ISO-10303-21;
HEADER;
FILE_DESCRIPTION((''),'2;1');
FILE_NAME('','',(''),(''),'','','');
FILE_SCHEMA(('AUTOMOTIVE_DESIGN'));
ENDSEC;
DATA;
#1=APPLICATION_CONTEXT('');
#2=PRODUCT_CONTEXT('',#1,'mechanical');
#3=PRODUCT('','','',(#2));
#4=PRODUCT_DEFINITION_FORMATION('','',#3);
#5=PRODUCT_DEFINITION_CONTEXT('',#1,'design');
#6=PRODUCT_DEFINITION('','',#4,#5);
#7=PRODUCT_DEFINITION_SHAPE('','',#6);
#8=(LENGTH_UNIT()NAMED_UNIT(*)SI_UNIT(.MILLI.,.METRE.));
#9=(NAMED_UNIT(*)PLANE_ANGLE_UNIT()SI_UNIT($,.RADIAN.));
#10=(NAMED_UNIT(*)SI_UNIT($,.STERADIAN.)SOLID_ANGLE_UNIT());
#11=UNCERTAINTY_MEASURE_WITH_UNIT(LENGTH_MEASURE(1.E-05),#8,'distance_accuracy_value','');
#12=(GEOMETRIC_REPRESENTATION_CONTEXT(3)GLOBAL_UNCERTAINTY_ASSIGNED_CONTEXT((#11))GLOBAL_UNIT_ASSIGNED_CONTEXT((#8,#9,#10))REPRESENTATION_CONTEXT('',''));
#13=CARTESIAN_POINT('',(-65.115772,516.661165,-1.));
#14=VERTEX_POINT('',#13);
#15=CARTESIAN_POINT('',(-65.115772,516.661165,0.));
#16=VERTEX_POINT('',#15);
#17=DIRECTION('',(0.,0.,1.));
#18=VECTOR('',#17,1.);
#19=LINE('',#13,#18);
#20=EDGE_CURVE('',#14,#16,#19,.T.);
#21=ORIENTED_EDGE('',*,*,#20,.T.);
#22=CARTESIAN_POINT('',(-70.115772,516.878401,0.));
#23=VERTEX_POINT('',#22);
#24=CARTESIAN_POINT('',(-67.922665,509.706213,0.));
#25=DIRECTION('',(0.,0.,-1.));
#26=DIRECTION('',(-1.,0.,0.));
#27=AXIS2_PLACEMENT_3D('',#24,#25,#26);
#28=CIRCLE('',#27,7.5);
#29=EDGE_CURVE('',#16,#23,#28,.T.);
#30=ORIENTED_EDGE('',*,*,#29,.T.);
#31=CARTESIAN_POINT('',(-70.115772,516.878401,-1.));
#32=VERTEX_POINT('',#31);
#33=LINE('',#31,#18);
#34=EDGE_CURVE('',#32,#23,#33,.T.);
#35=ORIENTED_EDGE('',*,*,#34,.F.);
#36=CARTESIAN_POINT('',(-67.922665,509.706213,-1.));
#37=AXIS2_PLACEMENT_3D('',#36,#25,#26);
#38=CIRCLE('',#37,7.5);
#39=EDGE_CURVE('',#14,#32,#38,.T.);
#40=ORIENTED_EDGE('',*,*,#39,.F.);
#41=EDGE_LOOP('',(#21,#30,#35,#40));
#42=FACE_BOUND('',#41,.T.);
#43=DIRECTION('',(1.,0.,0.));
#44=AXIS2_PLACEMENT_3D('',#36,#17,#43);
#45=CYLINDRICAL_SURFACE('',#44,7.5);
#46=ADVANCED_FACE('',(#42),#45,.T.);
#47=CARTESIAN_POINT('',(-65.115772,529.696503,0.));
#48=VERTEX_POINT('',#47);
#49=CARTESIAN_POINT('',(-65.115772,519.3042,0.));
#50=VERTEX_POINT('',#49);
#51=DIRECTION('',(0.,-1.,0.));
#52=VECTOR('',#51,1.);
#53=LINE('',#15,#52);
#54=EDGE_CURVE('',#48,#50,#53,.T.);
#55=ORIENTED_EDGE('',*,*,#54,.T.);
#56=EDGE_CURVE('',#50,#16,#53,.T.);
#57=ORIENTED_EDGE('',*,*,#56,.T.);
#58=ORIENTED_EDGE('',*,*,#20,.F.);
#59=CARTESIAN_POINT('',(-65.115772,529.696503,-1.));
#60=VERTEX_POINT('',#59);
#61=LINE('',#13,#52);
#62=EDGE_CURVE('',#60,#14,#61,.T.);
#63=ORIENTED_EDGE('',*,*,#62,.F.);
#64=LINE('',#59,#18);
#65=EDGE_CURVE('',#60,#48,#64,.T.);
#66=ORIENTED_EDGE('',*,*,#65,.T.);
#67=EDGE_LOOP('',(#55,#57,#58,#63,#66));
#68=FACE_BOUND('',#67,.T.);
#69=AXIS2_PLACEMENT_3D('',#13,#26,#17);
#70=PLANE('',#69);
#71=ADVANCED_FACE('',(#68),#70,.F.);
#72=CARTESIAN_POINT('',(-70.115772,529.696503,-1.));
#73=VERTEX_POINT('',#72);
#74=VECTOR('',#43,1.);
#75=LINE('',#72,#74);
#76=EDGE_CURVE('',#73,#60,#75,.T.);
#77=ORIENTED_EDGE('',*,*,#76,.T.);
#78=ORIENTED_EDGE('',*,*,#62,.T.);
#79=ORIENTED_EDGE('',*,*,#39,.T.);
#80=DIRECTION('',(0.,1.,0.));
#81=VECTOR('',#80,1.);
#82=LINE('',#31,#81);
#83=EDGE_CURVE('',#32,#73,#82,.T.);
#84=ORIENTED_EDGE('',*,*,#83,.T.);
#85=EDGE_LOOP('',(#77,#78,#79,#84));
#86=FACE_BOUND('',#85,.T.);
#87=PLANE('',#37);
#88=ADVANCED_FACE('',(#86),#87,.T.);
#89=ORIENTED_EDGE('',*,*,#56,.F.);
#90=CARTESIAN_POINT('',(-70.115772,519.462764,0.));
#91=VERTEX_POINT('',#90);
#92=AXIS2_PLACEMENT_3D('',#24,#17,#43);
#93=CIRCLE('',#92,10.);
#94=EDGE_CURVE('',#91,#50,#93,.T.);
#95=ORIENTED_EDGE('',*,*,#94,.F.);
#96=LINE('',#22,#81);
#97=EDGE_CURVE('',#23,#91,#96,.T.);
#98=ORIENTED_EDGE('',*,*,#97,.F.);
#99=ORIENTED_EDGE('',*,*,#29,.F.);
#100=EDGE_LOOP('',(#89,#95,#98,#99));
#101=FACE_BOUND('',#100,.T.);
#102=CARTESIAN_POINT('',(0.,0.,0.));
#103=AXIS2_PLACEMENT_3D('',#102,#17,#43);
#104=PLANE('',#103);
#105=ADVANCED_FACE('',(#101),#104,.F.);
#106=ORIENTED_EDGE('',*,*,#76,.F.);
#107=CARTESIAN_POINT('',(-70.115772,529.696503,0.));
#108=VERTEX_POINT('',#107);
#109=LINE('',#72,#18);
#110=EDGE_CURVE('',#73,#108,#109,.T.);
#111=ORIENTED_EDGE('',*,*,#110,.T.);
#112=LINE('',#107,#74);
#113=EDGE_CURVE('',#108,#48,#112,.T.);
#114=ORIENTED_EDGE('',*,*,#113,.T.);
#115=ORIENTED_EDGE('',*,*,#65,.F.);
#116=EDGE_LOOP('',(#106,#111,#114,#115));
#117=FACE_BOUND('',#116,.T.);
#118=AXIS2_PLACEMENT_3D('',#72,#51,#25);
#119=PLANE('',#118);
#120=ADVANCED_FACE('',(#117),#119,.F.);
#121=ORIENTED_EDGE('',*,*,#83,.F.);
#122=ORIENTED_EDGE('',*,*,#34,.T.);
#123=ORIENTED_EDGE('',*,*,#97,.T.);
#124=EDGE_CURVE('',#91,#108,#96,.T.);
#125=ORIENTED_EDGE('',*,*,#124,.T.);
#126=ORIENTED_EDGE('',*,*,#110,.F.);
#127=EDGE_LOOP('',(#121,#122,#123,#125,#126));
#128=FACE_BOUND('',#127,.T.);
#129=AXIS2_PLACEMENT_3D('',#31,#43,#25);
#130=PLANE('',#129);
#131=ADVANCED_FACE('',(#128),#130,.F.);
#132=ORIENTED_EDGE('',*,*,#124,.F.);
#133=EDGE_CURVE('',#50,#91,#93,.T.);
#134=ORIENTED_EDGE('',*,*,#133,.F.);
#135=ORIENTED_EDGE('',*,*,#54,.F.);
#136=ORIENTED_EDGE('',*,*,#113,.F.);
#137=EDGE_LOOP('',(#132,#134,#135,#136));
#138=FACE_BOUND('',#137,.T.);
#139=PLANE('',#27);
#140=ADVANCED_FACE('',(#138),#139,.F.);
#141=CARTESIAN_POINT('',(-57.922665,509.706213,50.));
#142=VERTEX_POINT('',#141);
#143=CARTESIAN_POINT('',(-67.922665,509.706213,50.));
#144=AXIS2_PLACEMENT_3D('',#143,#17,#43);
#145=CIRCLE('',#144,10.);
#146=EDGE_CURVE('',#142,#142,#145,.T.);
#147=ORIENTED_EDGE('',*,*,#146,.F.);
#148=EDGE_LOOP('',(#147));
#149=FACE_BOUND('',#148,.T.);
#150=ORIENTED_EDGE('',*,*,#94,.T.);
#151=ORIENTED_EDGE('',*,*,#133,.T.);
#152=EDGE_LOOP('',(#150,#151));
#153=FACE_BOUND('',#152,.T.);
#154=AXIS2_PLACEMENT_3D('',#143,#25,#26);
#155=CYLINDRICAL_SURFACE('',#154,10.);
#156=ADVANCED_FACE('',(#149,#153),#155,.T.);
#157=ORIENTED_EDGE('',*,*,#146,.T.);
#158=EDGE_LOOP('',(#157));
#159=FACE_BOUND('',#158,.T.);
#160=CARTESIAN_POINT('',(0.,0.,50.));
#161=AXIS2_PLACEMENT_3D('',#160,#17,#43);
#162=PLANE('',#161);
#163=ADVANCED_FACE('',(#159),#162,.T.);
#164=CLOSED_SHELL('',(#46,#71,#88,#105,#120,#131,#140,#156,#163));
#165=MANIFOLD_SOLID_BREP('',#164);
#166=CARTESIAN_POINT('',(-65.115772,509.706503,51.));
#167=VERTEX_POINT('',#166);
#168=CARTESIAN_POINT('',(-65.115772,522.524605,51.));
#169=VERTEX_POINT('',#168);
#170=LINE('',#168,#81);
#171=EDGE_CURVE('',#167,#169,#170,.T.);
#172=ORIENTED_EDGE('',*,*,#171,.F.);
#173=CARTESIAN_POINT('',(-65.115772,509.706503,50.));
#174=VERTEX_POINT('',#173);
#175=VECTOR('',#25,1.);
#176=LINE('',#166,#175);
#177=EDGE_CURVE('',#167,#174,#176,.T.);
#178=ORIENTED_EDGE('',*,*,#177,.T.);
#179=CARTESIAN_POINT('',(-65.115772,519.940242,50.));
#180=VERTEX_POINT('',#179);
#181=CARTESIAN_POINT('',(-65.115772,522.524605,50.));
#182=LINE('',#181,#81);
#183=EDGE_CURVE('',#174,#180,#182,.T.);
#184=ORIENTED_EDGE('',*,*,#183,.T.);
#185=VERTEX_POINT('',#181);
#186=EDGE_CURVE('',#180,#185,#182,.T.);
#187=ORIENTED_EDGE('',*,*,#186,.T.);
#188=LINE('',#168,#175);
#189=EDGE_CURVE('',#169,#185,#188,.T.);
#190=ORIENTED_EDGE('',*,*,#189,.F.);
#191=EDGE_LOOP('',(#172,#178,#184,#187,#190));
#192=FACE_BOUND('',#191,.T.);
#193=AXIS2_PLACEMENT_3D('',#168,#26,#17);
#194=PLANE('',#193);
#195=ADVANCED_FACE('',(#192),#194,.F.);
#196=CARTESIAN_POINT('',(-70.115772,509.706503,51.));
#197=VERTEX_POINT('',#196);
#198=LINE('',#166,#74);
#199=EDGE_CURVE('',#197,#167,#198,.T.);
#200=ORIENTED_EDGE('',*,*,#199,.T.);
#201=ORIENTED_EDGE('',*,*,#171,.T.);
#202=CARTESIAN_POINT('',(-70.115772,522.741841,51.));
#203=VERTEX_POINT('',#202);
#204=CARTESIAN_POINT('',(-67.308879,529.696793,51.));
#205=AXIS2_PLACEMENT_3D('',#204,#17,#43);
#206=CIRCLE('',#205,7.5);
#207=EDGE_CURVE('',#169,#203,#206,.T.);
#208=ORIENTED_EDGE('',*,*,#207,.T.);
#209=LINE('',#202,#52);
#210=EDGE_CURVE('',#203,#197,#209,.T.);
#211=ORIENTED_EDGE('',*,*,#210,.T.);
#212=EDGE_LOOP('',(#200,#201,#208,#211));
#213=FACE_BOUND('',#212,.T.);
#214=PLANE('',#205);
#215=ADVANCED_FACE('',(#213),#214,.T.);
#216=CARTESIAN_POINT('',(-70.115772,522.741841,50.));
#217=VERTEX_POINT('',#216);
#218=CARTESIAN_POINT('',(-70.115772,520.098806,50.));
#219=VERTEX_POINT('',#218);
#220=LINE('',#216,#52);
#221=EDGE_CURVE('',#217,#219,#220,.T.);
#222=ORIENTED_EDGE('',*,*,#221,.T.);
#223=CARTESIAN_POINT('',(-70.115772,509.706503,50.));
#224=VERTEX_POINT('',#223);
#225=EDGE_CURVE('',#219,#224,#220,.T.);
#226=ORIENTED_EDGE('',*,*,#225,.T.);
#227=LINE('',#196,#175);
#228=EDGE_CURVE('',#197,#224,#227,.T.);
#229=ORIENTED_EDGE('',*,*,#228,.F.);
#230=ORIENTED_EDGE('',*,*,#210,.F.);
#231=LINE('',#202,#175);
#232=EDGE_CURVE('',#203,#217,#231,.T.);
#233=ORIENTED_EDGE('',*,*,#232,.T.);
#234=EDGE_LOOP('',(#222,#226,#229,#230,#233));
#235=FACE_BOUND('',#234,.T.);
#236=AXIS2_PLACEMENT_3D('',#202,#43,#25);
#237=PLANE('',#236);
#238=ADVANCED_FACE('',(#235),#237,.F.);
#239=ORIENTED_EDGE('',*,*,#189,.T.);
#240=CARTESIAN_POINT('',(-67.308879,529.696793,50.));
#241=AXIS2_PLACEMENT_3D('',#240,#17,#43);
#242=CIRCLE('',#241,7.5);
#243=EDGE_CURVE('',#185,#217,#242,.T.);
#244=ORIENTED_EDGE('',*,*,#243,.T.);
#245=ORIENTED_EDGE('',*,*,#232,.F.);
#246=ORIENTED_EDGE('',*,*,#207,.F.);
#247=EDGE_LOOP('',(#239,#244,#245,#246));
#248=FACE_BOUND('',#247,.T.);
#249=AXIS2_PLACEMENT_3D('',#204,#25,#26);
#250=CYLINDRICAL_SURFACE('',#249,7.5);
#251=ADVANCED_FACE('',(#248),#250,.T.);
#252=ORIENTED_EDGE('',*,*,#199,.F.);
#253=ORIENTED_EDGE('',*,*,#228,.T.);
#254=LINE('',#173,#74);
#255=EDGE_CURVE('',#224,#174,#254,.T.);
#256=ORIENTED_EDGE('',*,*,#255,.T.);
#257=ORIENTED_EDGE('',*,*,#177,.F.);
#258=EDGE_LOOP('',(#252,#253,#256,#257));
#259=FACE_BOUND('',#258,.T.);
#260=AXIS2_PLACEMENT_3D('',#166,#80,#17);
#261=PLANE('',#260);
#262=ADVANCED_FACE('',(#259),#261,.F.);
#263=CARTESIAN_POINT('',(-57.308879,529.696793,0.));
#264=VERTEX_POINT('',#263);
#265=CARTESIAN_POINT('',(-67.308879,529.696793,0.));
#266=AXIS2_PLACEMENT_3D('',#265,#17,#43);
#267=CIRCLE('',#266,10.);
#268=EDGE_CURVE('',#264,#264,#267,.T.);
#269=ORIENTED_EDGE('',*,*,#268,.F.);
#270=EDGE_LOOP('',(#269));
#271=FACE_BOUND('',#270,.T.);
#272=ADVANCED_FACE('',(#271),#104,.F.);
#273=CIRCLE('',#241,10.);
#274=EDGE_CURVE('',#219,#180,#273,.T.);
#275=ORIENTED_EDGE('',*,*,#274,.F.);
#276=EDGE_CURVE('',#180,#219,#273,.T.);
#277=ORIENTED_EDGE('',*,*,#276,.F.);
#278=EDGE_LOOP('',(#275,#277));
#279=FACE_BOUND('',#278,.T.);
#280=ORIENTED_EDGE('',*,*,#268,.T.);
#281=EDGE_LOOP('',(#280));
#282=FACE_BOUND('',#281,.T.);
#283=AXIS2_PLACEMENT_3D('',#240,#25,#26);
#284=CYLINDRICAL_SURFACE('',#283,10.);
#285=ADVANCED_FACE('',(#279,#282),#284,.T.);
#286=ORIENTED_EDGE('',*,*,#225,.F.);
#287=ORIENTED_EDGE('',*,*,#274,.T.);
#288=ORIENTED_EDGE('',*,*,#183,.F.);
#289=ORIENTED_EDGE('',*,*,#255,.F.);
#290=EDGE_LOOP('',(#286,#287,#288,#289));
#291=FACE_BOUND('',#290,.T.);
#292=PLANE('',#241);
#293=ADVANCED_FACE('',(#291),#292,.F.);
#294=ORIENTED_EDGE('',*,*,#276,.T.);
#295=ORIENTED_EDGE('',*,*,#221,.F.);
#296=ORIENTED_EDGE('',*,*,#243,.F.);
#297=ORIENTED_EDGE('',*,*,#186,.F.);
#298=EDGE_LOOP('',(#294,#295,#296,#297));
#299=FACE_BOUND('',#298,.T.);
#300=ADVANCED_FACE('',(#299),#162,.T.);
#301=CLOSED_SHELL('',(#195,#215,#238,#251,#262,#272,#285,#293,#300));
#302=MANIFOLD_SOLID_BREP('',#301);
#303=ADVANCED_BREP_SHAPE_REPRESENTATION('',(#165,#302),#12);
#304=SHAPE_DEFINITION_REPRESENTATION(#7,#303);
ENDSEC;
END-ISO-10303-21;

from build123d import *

# Parameters (mm, degrees)
ESBO_O1_R                  = 10
RESSALTO_EXTRUS_O1_DEPTH   = 50
RESSALTO_EXTRUS_O1_2_DEPTH = 50
RESSALTO_EXTRUS_O2_DEPTH   = 1
RESSALTO_EXTRUS_O3_DEPTH   = 1


with BuildPart() as part:
    # Esboço1 → Ressalto-extrusão1 (new body)
    with BuildSketch(Plane.XY):
        with Locations((-67.308878825, 529.696792621)):
            Circle(ESBO_O1_R)
    extrude(amount=RESSALTO_EXTRUS_O1_DEPTH)

    # Esboço2 → Ressalto-extrusão2 (add)
    with BuildSketch(Plane.XY.offset(50)):
        with BuildLine():
            Line((-65.115771676, 522.524604598), (-65.115771676, 509.706502891))
            Line((-65.115771676, 509.706502891), (-70.115771676, 509.706502891))
            Line((-70.115771676, 509.706502891), (-70.115771676, 522.741840965))
            ThreePointArc((-70.115771676, 522.741840965), (-66.983331391, 537.189723881), (-65.115771676, 522.524604598))
        make_face()
    extrude(amount=RESSALTO_EXTRUS_O2_DEPTH)


with BuildPart() as body_2:
    # Esboço1 → Ressalto-extrus_o1 2 (new body)
    with BuildSketch(Plane.XY):
        with Locations((-67.922664527, 509.706213161)):
            Circle(ESBO_O1_R)
    extrude(amount=RESSALTO_EXTRUS_O1_2_DEPTH)

    # Esboço3 → Ressalto-extrusão3 (add)
    with BuildSketch(Plane(origin=(0, 0, 0), x_dir=(-1, 0, 0), z_dir=(0, 0, -1))):
        with BuildLine():
            Line((70.115771676, 516.878401184), (70.115771676, 529.696502891))
            Line((70.115771676, 529.696502891), (65.115771676, 529.696502891))
            Line((65.115771676, 529.696502891), (65.115771676, 516.661164816))
            ThreePointArc((65.115771676, 516.661164816), (68.248211961, 502.213281901), (70.115771676, 516.878401184))
        make_face()
    extrude(amount=RESSALTO_EXTRUS_O3_DEPTH)


solid = Compound([part.part, body_2.part])
